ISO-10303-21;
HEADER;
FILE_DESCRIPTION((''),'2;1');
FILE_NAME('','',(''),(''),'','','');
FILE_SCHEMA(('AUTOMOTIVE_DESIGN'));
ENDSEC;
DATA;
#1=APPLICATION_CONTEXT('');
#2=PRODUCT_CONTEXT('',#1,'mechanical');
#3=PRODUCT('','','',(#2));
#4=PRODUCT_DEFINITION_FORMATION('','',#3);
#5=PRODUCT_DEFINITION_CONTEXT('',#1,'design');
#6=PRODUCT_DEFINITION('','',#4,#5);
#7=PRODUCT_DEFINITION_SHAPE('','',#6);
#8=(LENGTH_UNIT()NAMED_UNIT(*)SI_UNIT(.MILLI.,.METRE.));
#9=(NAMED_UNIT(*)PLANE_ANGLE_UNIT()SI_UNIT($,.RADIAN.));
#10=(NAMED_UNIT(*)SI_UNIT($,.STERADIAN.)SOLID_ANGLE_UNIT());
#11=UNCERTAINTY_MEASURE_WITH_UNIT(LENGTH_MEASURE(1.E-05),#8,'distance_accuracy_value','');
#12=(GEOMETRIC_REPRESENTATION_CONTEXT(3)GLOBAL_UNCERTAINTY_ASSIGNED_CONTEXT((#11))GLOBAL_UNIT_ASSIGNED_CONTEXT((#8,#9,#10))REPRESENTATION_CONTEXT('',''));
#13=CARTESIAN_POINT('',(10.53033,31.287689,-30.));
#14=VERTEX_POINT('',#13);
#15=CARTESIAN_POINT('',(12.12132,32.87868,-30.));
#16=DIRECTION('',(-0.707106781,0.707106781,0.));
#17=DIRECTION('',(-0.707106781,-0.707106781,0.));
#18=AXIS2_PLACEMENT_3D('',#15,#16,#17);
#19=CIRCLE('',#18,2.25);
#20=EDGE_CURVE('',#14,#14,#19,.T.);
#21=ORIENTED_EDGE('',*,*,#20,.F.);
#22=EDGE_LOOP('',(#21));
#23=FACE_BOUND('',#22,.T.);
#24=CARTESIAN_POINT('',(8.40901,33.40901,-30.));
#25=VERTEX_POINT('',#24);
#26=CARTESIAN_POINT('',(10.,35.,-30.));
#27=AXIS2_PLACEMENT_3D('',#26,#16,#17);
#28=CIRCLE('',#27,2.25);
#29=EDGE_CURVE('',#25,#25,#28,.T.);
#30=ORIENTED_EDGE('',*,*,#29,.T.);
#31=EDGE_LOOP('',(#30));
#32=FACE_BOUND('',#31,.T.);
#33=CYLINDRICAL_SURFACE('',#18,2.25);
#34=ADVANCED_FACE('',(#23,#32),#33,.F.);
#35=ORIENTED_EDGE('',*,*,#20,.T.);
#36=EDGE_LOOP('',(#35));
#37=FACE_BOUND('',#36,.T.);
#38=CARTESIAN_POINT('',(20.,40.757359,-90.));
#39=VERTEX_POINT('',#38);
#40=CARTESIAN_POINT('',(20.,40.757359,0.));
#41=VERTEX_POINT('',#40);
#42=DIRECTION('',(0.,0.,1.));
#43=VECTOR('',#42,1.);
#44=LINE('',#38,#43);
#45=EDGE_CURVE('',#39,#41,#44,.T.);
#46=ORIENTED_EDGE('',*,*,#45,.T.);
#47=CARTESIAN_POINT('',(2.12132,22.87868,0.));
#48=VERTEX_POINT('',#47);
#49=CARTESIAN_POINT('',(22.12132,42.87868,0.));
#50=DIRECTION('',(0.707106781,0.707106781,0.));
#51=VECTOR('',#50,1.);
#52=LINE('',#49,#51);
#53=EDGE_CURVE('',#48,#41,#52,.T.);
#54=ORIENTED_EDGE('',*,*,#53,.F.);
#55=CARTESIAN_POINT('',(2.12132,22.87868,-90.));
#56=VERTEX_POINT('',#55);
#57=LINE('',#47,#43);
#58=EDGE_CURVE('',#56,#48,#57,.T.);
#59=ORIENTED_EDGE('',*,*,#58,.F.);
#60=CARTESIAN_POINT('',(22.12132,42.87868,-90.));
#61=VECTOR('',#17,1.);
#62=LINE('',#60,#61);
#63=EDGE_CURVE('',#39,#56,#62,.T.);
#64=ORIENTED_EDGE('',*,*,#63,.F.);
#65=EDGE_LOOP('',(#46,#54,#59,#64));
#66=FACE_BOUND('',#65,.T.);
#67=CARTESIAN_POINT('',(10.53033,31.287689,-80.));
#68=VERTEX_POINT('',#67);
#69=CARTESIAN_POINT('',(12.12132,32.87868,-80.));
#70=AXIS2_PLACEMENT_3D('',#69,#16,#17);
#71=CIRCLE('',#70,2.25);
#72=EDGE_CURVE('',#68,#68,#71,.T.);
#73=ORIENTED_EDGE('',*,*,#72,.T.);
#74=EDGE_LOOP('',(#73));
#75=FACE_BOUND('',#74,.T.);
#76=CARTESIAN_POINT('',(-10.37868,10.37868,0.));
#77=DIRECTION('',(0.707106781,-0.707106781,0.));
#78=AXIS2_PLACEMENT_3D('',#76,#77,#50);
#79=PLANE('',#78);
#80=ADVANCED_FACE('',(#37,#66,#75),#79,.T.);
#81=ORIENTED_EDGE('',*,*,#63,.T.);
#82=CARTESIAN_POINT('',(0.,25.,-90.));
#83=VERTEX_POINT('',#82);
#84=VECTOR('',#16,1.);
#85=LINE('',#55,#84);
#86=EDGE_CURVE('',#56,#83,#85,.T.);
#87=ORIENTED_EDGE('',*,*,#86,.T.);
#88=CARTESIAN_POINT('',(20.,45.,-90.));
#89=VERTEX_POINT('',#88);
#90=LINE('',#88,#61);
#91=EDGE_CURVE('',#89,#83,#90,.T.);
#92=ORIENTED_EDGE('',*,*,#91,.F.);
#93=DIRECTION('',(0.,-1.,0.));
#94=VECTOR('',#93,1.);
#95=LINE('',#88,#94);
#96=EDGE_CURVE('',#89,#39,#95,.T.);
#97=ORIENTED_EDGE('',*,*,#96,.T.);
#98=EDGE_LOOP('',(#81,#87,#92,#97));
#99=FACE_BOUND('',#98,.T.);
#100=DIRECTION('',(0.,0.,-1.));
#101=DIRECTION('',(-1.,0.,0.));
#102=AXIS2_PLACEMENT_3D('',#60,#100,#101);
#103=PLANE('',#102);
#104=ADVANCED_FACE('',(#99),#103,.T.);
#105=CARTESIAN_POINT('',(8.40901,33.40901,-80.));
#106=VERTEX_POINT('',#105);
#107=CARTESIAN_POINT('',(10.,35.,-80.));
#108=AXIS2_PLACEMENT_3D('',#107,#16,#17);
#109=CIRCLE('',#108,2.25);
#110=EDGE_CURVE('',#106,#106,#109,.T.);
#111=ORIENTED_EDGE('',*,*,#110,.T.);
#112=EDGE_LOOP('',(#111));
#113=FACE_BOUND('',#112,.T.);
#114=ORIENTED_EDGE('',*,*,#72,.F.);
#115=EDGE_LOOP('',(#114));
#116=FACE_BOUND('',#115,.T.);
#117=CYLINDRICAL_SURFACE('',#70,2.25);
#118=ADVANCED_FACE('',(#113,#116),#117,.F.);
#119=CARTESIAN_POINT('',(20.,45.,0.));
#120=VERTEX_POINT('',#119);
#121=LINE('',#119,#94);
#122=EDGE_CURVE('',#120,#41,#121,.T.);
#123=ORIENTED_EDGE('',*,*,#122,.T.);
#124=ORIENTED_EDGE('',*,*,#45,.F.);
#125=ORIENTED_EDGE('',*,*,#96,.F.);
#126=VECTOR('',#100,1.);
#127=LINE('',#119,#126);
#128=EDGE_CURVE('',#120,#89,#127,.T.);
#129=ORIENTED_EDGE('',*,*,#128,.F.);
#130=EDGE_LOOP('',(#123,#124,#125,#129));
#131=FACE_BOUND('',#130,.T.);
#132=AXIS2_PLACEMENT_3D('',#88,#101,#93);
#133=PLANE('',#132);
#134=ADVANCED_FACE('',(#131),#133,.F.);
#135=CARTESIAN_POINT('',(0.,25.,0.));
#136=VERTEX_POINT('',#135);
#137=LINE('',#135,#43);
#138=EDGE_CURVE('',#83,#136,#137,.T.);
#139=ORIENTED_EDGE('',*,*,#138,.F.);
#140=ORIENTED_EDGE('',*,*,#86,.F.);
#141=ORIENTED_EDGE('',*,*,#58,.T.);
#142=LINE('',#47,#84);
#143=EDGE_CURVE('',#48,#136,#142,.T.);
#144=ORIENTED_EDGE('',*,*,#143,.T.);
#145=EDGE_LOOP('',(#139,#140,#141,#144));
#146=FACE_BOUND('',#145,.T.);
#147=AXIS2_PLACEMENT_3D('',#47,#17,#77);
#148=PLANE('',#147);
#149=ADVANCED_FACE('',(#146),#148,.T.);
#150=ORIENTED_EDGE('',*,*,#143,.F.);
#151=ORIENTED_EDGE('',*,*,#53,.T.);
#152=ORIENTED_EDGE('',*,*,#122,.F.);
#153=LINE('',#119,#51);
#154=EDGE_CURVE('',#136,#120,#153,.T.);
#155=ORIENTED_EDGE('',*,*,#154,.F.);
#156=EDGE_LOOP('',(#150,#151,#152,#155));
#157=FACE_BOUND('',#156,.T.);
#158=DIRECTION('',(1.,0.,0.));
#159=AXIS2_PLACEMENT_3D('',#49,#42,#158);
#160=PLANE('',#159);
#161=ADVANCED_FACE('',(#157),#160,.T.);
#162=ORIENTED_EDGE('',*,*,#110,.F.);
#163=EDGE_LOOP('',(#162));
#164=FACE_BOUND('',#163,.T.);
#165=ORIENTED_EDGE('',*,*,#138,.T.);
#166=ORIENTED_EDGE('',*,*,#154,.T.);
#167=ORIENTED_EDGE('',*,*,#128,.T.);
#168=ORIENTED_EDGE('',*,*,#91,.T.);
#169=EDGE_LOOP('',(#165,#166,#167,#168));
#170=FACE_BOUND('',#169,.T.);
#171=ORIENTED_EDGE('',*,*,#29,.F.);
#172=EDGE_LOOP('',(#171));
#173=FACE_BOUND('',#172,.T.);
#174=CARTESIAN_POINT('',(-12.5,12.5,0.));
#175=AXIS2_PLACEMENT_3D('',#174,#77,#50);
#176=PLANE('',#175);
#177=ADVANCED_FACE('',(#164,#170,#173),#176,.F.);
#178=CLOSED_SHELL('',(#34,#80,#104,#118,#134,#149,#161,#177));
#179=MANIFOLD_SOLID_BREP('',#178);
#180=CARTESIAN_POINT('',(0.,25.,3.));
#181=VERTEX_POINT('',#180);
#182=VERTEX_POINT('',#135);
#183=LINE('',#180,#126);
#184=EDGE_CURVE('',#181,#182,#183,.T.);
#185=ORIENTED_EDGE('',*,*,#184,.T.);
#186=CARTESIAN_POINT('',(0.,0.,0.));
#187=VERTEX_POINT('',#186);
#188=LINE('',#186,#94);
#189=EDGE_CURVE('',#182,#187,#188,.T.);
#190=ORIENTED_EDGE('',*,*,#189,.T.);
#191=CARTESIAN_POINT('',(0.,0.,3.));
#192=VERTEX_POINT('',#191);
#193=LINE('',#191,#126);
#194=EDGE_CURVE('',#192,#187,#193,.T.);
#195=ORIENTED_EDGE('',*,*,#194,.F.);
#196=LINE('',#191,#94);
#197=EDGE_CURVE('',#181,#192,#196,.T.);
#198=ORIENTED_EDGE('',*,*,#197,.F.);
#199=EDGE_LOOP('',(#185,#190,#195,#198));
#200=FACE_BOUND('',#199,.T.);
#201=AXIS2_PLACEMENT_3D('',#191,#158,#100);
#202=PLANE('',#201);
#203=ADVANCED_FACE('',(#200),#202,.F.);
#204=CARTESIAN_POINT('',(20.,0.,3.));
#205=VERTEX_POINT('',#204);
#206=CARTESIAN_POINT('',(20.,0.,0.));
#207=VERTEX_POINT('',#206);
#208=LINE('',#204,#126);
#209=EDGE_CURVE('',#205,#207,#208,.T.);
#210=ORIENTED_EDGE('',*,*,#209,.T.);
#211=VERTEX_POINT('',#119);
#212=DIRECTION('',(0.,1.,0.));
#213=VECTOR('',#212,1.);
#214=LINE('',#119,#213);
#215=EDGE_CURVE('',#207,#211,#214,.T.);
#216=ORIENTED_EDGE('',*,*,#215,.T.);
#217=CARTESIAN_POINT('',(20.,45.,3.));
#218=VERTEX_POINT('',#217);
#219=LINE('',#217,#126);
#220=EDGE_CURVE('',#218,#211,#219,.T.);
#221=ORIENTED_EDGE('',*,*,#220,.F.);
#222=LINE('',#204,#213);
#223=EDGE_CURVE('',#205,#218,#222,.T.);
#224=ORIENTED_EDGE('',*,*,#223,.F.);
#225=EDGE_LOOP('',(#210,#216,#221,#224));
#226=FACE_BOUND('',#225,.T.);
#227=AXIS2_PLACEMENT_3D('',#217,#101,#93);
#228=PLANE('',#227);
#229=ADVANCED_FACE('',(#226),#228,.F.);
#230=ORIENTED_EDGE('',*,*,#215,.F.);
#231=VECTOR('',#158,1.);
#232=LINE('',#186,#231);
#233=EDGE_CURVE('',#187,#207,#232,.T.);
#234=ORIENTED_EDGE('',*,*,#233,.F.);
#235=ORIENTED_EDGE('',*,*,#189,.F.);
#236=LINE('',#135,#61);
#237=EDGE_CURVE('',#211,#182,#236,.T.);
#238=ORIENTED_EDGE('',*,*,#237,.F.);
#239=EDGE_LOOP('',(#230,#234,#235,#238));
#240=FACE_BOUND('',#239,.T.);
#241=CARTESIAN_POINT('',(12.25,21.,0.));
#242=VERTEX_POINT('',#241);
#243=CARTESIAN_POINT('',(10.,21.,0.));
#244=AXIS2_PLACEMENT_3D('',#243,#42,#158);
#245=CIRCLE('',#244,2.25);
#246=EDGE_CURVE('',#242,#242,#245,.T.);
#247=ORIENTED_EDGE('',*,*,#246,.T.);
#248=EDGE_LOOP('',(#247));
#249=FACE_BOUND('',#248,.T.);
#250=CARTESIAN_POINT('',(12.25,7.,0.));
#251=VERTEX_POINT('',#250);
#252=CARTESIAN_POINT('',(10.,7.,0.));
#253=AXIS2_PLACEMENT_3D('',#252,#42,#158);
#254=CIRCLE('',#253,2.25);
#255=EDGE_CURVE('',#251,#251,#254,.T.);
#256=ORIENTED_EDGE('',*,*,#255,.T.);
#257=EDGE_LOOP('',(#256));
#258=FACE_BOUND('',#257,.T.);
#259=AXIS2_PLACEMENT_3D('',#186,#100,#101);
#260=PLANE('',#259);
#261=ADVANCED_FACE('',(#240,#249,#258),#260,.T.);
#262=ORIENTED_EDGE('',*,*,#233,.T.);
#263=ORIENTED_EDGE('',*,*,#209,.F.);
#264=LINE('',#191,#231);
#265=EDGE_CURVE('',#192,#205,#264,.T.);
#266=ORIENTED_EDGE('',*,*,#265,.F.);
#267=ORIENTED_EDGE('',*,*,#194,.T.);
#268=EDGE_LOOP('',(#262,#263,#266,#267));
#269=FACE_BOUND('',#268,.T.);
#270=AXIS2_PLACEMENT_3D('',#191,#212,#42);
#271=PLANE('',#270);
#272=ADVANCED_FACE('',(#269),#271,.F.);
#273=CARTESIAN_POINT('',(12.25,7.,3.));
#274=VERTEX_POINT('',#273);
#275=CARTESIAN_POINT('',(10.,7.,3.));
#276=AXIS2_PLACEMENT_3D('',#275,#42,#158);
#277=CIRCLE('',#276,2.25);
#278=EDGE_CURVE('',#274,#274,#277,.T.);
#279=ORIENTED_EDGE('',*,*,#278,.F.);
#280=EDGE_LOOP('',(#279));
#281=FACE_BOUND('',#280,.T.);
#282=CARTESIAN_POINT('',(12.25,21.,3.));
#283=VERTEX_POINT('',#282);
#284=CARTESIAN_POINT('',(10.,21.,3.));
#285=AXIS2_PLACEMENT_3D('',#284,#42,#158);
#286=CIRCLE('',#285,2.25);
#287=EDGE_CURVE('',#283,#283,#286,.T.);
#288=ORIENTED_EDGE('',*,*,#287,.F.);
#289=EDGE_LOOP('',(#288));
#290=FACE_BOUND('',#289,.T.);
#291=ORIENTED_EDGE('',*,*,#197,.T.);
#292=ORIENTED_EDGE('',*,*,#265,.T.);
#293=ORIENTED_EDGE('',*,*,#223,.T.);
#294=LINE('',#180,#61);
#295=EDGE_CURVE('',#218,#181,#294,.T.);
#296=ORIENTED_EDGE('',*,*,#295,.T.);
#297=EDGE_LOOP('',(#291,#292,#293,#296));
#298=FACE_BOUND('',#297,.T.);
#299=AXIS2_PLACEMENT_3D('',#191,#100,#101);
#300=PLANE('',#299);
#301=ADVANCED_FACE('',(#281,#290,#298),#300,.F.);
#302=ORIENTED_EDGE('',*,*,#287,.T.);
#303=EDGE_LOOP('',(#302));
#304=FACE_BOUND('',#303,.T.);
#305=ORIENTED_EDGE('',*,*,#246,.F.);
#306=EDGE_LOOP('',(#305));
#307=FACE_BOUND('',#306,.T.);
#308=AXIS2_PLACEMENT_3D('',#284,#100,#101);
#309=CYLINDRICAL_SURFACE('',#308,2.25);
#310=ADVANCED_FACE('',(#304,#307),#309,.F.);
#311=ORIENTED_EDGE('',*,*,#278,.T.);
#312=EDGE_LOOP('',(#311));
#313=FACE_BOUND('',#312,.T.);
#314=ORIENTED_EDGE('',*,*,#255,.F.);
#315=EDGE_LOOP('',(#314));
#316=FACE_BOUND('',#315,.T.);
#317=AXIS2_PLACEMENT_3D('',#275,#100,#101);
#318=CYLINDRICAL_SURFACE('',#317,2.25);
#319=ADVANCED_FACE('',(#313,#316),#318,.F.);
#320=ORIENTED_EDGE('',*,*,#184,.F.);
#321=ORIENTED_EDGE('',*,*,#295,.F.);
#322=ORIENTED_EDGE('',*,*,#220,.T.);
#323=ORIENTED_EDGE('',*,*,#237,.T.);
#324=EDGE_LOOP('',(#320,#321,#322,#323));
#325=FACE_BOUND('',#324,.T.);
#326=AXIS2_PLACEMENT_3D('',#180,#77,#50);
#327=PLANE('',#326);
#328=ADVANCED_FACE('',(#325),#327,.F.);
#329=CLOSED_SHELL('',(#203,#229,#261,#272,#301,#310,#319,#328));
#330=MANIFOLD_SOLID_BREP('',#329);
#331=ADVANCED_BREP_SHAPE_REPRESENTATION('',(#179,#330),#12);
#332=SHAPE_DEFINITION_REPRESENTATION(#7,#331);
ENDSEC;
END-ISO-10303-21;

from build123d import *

# Parameters (mm, degrees)
SKETCH1_R           = 2.25
BOSS_EXTRUDE1_DEPTH = 3
SKETCH2_W           = 90
SKETCH2_H           = 28.284271247
SKETCH2_R           = 2.25
BOSS_EXTRUDE2_DEPTH = 3
CUT_EXTRUDE1_DEPTH  = 91


with BuildPart() as part:
    # Sketch1 → Boss-Extrude1 (new body)
    with BuildSketch(Plane.XY):
        Polygon((0, 0), (20, 0), (20, 25), (20, 45), (0, 25), align=None)
        with Locations((10, 7)):
            Circle(SKETCH1_R, mode=Mode.SUBTRACT)
        with Locations((10, 21)):
            Circle(SKETCH1_R, mode=Mode.SUBTRACT)
    extrude(amount=BOSS_EXTRUDE1_DEPTH)


with BuildPart() as body_2:
    # Sketch2 → Boss-Extrude2 (new body)
    with BuildSketch(Plane(origin=(-12.5, 12.5, 0), x_dir=(0, 0, 1), z_dir=(-0.707106781, 0.707106781, 0))):
        with Locations((-45, 31.819805154)):
            Rectangle(SKETCH2_W, SKETCH2_H)
        with Locations((-80, 31.819805153)):
            Circle(SKETCH2_R, mode=Mode.SUBTRACT)
        with Locations((-30, 31.819805153)):
            Circle(SKETCH2_R, mode=Mode.SUBTRACT)
    extrude(amount=-BOSS_EXTRUDE2_DEPTH)

    # Sketch3 → Cut-Extrude1 (cut, through all)
    with BuildSketch(Plane.XY):
        Polygon((22.121320344, 42.878679656), (20, 45), (20, 40.757359313), align=None)
    extrude(amount=-CUT_EXTRUDE1_DEPTH, mode=Mode.SUBTRACT)


solid = Compound([part.part, body_2.part])
